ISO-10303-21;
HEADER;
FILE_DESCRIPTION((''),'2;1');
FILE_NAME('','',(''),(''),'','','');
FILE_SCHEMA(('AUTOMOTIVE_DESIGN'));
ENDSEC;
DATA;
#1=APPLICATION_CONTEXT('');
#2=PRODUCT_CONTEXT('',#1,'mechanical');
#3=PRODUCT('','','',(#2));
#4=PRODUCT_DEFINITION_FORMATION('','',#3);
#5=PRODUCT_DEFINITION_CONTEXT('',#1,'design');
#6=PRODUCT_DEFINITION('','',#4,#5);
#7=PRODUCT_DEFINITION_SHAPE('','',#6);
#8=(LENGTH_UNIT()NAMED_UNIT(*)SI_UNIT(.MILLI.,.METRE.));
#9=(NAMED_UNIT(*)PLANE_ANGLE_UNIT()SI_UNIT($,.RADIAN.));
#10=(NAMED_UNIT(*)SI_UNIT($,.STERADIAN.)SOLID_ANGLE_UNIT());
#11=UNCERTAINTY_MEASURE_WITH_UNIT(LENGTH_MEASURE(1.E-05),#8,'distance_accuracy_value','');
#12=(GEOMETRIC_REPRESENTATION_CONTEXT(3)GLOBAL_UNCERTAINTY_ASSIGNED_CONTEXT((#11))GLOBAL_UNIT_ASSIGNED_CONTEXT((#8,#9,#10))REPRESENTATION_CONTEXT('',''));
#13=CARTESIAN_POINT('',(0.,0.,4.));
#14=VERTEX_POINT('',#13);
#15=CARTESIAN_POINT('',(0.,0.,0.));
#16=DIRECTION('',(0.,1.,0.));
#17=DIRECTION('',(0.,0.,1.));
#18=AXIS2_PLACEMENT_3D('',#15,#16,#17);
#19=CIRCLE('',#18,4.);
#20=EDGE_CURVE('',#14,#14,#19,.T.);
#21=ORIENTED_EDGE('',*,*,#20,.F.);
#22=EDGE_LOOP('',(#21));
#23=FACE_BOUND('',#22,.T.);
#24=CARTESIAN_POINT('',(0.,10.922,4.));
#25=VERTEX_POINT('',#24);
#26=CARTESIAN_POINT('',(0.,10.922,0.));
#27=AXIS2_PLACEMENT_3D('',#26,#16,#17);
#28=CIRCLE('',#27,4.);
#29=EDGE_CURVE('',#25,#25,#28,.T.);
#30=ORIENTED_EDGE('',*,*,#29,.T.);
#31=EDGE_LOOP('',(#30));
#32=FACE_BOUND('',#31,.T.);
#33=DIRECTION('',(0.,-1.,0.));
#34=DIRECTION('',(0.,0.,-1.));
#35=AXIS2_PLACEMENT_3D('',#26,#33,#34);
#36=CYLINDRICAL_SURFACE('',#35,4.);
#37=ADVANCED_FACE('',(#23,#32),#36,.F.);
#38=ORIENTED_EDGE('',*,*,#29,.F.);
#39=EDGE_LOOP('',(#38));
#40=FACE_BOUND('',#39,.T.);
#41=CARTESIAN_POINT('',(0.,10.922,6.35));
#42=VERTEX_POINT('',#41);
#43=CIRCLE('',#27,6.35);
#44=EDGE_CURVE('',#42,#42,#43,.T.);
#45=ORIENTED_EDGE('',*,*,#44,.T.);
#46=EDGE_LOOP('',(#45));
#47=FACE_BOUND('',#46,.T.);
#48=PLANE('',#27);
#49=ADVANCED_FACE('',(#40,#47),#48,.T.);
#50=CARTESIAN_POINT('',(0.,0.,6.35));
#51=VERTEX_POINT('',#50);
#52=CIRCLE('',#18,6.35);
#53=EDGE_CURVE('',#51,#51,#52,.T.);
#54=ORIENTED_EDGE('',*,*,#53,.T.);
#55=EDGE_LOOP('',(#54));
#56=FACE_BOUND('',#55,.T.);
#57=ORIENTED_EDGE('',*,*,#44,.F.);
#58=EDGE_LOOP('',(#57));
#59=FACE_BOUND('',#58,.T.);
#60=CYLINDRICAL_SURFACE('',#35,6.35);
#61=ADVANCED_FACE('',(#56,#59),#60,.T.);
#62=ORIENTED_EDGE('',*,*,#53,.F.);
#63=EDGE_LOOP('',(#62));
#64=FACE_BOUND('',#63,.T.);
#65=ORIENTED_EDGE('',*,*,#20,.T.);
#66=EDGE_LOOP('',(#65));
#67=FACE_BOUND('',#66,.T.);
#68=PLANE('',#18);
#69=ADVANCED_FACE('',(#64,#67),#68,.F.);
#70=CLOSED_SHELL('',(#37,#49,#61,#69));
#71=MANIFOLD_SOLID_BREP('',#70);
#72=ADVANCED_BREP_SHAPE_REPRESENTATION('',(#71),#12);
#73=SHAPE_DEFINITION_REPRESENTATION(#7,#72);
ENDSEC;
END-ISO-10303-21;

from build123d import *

# Parameters (mm, degrees)
SKETCH2_R           = 6.35
SKETCH2_R_2         = 4
BOSS_EXTRUDE1_DEPTH = 10.922


with BuildPart() as part:
    # Sketch2 → Boss-Extrude1 (new body)
    with BuildSketch(Plane(origin=(0, 0, 0), x_dir=(1, 0, 0), z_dir=(0, 1, 0))):
        with Locations(Location((0, 0, 0), (0, 0, 270))):
            Circle(SKETCH2_R)
        with Locations(Location((0, 0, 0), (0, 0, 270))):
            Circle(SKETCH2_R_2, mode=Mode.SUBTRACT)
    extrude(amount=BOSS_EXTRUDE1_DEPTH)


solid = part.part
